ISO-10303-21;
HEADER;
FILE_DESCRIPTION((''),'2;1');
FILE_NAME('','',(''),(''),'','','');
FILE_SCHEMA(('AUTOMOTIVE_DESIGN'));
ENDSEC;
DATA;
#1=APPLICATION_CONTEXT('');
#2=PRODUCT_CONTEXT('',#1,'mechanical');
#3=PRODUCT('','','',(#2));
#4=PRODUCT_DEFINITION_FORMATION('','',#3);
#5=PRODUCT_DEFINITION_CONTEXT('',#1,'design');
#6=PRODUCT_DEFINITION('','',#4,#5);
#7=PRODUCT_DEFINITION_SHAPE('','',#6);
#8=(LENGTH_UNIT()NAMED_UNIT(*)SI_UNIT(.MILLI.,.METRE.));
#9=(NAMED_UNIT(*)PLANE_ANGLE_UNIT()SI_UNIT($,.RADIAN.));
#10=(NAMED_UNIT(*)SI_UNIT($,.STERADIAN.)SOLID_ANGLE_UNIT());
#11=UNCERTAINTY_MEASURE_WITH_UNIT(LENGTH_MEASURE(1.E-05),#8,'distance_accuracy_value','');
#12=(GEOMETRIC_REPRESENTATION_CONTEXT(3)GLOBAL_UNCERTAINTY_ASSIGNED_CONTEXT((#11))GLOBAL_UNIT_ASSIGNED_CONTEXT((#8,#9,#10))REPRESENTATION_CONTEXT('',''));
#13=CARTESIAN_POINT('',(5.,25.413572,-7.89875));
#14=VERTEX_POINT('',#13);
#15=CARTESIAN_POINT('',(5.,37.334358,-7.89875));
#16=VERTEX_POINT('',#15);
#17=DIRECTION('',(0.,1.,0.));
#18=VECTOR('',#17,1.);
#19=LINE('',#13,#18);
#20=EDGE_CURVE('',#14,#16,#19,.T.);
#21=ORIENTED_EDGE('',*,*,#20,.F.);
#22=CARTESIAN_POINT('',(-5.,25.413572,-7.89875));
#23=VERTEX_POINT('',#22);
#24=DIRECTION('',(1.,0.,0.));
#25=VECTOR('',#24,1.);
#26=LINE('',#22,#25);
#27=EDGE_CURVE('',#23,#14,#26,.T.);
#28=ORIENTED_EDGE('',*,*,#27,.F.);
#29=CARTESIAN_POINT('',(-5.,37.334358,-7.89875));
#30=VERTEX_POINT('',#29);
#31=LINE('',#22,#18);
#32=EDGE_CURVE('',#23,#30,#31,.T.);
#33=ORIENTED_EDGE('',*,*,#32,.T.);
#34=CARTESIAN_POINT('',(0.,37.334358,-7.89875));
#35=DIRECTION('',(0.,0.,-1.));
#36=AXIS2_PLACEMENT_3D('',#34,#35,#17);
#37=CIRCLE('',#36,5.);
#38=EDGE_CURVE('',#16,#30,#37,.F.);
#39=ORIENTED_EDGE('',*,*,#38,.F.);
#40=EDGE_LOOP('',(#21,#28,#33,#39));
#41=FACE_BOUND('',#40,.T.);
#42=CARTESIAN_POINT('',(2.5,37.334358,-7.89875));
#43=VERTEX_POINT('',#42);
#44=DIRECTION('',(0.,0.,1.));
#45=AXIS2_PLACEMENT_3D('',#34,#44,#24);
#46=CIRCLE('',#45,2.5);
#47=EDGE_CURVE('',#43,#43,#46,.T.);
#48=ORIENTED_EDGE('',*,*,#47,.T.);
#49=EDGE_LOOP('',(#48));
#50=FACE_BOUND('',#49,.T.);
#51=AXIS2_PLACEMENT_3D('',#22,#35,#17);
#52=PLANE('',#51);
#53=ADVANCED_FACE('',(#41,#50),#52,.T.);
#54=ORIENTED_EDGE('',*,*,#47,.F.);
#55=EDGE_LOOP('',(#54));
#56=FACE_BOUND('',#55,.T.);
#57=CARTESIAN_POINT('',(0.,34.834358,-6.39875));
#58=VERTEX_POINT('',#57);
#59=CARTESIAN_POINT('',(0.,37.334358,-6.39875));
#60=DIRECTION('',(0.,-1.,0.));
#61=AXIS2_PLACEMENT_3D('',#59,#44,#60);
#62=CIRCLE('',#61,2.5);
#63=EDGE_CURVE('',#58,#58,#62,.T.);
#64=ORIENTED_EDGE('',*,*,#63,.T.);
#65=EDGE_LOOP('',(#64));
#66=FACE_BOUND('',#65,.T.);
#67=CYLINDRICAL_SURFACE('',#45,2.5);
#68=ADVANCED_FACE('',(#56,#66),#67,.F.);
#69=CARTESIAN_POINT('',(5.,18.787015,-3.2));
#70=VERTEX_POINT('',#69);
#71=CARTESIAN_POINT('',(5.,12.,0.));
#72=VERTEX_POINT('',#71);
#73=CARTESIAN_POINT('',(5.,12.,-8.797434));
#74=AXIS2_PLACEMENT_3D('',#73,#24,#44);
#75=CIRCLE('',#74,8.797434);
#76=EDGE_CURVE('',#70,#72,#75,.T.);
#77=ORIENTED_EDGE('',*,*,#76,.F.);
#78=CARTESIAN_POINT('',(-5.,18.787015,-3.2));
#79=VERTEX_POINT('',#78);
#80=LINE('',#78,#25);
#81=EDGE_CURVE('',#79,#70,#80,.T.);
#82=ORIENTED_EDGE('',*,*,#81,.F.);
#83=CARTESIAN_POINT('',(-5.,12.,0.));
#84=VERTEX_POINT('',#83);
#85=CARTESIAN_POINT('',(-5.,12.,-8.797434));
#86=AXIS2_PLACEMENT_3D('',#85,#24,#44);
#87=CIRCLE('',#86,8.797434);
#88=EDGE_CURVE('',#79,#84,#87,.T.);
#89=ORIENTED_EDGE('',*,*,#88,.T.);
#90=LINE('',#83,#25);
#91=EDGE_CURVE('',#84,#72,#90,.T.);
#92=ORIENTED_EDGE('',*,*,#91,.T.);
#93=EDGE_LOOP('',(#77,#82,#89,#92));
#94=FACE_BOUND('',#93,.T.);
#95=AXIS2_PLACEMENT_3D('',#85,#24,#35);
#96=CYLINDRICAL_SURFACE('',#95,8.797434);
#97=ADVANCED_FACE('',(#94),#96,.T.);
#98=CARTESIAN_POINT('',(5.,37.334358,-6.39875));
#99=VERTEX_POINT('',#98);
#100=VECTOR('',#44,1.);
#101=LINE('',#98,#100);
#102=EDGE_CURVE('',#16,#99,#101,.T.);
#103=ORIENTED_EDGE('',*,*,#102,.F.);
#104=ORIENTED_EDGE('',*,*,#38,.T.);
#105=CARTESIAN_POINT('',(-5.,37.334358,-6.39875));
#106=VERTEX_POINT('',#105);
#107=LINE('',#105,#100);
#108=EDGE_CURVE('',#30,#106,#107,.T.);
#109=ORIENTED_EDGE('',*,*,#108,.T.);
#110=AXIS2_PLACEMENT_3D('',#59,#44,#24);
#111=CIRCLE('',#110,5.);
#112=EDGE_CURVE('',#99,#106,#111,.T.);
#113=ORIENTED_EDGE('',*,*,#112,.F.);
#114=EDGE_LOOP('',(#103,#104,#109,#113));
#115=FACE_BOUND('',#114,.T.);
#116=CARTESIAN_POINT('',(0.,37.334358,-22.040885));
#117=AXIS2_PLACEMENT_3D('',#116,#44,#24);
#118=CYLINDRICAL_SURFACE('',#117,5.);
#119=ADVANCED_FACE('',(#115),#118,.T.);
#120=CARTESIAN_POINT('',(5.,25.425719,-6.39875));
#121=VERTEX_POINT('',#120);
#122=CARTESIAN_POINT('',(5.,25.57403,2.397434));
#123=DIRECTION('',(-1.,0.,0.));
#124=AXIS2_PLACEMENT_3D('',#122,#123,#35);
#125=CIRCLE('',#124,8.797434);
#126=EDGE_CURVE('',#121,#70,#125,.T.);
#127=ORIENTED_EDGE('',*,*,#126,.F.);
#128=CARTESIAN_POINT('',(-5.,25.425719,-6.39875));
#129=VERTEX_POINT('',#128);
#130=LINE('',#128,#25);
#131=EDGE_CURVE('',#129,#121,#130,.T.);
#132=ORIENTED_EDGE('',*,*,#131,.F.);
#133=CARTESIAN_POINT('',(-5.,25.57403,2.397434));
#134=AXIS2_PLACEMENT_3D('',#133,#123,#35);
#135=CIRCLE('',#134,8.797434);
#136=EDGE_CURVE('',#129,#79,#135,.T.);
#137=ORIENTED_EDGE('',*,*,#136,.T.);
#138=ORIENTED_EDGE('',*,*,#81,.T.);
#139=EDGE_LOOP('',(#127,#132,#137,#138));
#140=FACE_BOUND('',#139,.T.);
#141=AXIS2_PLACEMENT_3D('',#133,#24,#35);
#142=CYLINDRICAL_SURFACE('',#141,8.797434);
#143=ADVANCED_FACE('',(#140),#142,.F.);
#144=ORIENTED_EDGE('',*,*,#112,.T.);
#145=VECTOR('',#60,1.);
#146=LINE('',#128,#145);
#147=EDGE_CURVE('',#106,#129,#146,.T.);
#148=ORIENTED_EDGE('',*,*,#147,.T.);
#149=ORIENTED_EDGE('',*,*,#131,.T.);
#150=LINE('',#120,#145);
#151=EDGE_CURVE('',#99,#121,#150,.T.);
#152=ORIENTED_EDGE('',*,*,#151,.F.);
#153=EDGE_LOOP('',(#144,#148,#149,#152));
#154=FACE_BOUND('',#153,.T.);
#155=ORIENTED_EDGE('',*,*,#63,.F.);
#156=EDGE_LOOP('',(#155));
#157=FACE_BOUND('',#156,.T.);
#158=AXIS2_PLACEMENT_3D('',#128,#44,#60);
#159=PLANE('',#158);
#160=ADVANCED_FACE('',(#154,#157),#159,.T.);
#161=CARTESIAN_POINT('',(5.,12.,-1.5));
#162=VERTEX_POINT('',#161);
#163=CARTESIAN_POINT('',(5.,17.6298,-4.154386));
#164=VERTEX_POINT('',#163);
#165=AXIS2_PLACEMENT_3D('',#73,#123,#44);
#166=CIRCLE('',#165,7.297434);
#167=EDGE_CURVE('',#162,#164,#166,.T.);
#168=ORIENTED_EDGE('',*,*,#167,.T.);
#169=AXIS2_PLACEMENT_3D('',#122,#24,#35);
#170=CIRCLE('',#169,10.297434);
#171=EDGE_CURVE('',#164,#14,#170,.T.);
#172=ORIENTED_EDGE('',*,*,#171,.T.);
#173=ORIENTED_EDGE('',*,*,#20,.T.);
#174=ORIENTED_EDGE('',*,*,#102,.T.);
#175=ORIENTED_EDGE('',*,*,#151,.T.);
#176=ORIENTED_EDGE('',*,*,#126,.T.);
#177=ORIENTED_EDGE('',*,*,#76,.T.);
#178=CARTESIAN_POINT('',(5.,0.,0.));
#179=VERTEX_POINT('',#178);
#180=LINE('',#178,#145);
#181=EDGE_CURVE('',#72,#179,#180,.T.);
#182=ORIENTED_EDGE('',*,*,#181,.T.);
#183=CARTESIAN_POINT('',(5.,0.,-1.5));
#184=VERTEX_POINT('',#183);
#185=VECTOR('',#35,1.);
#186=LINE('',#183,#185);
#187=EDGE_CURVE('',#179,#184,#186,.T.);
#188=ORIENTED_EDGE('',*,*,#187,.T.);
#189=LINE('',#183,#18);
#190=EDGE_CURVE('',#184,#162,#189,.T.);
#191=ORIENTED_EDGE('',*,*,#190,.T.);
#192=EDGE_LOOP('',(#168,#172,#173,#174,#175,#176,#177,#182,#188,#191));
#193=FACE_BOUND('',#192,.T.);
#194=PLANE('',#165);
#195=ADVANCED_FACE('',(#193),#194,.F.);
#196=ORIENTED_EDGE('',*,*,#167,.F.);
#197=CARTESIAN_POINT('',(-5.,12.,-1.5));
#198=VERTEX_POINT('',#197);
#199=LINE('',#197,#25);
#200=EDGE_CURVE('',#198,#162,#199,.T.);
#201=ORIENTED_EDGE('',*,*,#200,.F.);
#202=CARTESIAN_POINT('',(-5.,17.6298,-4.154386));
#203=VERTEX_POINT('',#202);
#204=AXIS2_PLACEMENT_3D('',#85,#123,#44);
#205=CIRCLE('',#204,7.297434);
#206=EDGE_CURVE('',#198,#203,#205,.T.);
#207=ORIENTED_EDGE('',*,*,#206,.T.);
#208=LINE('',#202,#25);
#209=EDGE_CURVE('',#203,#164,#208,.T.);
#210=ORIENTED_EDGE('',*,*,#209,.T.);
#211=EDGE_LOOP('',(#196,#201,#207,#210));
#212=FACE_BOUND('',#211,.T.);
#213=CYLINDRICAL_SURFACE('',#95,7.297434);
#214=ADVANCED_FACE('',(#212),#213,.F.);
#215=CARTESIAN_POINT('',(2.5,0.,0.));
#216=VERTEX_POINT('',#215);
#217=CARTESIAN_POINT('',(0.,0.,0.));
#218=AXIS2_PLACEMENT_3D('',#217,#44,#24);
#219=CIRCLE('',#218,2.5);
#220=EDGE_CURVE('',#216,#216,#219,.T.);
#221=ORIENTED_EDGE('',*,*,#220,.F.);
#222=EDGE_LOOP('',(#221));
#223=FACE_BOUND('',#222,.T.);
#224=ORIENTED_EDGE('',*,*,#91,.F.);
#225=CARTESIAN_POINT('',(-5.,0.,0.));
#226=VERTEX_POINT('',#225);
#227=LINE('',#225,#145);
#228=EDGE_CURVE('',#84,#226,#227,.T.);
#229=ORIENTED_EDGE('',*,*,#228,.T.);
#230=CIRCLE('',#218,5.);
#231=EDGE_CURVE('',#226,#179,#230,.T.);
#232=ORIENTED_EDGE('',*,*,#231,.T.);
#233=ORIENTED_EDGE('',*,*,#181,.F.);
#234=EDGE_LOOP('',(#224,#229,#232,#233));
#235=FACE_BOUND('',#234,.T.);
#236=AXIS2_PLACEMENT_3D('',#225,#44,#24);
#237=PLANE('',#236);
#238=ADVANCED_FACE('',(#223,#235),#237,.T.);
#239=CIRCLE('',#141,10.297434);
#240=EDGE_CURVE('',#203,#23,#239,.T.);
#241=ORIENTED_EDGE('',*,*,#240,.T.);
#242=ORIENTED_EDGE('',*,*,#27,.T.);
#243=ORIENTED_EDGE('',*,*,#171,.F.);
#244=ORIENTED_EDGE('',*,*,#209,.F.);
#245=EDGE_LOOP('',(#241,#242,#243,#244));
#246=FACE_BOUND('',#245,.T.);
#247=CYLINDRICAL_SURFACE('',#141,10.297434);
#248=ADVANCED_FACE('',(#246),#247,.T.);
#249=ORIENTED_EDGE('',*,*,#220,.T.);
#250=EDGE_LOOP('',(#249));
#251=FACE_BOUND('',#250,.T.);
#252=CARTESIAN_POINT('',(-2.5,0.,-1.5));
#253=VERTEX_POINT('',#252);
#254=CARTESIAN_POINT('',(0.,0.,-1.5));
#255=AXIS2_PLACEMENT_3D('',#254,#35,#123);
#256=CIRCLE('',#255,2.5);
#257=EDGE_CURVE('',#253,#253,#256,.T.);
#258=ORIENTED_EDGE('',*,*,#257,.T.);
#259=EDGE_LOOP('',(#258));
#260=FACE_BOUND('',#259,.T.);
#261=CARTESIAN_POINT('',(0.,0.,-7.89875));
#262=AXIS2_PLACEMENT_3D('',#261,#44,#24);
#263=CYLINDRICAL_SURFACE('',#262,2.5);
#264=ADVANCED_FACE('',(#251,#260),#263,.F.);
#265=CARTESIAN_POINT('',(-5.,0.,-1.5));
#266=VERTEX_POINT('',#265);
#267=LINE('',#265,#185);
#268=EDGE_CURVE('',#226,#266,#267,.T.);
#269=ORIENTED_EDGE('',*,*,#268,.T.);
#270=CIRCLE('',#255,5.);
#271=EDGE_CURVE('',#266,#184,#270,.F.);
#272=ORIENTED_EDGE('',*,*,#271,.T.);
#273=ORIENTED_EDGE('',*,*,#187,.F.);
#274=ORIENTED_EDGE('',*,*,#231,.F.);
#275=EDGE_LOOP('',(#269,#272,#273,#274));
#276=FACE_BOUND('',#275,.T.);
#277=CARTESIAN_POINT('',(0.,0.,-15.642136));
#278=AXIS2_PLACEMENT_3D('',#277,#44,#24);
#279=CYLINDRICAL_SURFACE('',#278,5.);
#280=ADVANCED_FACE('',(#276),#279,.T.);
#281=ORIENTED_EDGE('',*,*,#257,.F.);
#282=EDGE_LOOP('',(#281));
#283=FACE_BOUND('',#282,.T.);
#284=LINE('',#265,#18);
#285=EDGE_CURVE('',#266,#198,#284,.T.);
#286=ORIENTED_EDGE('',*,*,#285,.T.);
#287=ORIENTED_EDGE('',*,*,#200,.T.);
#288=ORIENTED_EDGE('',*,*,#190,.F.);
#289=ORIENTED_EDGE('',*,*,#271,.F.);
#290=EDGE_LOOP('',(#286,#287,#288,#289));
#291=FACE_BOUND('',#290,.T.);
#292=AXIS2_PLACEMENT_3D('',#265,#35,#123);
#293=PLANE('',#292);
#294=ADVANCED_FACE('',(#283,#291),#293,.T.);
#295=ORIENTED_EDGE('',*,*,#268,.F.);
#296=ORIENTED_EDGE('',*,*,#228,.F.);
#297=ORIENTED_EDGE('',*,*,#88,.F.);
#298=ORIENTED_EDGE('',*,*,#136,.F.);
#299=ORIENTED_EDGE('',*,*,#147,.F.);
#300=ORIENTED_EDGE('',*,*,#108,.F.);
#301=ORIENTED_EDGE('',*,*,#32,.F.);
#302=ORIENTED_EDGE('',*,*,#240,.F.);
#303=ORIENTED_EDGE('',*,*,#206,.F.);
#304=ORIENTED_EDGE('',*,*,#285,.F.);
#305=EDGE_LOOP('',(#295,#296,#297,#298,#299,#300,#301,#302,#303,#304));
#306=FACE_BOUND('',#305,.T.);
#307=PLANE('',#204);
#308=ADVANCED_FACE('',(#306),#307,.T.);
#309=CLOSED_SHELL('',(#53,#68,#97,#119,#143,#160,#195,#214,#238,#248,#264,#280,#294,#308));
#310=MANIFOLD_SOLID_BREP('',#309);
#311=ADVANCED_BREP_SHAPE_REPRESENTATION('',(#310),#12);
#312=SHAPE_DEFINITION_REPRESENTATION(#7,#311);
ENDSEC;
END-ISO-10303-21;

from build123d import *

# Parameters (mm, degrees)
BRACKET_BASE_DEPTH = 5
SKETCH7_R          = 5
RADIUS_1_DEPTH     = 1.5
SKETCH8_R          = 5
RADIUS_2_DEPTH     = 1.5
SKETCH9_R          = 2.5
HOLES_DEPTH        = 44.354217003


with BuildPart() as part:
    # Sketch4 → Bracket Base (new, symmetric)
    with BuildSketch(Plane(origin=(0, 0, 0), x_dir=(0, 0, -1), z_dir=(1, 0, 0))):
        with BuildLine():
            Line((1.5, 0), (1.5, 12))
            ThreePointArc((1.5, 12), (2.196870508, 15.112089987), (4.154386337, 17.629800131))
            ThreePointArc((4.154386337, 17.629800131), (6.88214507, 21.110113004), (7.898749765, 25.413572113))
            Line((7.898749765, 25.413572113), (7.898749765, 37.334358198))
            Line((7.898749765, 37.334358198), (6.398749765, 37.334358198))
            Line((6.398749765, 37.334358198), (6.398749765, 25.425719387))
            ThreePointArc((6.398749765, 25.425719387), (5.527978098, 21.755301891), (3.2, 18.787015202))
            ThreePointArc((3.2, 18.787015202), (0.840113436, 15.75178542), (0, 12))
            Line((0, 12), (0, 0))
            Line((0, 0), (1.5, 0))
        make_face()
    extrude(amount=BRACKET_BASE_DEPTH, both=True)

    # Sketch7 → Radius 1 (add)
    with BuildSketch(Plane.XY):
        Circle(SKETCH7_R)
    extrude(amount=-RADIUS_1_DEPTH)

    # Sketch8 → Radius 2 (add)
    with BuildSketch(Plane.XY.offset(-6.398749765)):
        with Locations((0, 37.334358198)):
            Circle(SKETCH8_R)
    extrude(amount=-RADIUS_2_DEPTH)

    # Sketch9 → Holes (cut, through all)
    with BuildSketch(Plane.XY):
        Circle(SKETCH9_R)
        with Locations((0, 37.334358198)):
            Circle(SKETCH9_R)
    extrude(amount=-HOLES_DEPTH, mode=Mode.SUBTRACT)


solid = part.part
